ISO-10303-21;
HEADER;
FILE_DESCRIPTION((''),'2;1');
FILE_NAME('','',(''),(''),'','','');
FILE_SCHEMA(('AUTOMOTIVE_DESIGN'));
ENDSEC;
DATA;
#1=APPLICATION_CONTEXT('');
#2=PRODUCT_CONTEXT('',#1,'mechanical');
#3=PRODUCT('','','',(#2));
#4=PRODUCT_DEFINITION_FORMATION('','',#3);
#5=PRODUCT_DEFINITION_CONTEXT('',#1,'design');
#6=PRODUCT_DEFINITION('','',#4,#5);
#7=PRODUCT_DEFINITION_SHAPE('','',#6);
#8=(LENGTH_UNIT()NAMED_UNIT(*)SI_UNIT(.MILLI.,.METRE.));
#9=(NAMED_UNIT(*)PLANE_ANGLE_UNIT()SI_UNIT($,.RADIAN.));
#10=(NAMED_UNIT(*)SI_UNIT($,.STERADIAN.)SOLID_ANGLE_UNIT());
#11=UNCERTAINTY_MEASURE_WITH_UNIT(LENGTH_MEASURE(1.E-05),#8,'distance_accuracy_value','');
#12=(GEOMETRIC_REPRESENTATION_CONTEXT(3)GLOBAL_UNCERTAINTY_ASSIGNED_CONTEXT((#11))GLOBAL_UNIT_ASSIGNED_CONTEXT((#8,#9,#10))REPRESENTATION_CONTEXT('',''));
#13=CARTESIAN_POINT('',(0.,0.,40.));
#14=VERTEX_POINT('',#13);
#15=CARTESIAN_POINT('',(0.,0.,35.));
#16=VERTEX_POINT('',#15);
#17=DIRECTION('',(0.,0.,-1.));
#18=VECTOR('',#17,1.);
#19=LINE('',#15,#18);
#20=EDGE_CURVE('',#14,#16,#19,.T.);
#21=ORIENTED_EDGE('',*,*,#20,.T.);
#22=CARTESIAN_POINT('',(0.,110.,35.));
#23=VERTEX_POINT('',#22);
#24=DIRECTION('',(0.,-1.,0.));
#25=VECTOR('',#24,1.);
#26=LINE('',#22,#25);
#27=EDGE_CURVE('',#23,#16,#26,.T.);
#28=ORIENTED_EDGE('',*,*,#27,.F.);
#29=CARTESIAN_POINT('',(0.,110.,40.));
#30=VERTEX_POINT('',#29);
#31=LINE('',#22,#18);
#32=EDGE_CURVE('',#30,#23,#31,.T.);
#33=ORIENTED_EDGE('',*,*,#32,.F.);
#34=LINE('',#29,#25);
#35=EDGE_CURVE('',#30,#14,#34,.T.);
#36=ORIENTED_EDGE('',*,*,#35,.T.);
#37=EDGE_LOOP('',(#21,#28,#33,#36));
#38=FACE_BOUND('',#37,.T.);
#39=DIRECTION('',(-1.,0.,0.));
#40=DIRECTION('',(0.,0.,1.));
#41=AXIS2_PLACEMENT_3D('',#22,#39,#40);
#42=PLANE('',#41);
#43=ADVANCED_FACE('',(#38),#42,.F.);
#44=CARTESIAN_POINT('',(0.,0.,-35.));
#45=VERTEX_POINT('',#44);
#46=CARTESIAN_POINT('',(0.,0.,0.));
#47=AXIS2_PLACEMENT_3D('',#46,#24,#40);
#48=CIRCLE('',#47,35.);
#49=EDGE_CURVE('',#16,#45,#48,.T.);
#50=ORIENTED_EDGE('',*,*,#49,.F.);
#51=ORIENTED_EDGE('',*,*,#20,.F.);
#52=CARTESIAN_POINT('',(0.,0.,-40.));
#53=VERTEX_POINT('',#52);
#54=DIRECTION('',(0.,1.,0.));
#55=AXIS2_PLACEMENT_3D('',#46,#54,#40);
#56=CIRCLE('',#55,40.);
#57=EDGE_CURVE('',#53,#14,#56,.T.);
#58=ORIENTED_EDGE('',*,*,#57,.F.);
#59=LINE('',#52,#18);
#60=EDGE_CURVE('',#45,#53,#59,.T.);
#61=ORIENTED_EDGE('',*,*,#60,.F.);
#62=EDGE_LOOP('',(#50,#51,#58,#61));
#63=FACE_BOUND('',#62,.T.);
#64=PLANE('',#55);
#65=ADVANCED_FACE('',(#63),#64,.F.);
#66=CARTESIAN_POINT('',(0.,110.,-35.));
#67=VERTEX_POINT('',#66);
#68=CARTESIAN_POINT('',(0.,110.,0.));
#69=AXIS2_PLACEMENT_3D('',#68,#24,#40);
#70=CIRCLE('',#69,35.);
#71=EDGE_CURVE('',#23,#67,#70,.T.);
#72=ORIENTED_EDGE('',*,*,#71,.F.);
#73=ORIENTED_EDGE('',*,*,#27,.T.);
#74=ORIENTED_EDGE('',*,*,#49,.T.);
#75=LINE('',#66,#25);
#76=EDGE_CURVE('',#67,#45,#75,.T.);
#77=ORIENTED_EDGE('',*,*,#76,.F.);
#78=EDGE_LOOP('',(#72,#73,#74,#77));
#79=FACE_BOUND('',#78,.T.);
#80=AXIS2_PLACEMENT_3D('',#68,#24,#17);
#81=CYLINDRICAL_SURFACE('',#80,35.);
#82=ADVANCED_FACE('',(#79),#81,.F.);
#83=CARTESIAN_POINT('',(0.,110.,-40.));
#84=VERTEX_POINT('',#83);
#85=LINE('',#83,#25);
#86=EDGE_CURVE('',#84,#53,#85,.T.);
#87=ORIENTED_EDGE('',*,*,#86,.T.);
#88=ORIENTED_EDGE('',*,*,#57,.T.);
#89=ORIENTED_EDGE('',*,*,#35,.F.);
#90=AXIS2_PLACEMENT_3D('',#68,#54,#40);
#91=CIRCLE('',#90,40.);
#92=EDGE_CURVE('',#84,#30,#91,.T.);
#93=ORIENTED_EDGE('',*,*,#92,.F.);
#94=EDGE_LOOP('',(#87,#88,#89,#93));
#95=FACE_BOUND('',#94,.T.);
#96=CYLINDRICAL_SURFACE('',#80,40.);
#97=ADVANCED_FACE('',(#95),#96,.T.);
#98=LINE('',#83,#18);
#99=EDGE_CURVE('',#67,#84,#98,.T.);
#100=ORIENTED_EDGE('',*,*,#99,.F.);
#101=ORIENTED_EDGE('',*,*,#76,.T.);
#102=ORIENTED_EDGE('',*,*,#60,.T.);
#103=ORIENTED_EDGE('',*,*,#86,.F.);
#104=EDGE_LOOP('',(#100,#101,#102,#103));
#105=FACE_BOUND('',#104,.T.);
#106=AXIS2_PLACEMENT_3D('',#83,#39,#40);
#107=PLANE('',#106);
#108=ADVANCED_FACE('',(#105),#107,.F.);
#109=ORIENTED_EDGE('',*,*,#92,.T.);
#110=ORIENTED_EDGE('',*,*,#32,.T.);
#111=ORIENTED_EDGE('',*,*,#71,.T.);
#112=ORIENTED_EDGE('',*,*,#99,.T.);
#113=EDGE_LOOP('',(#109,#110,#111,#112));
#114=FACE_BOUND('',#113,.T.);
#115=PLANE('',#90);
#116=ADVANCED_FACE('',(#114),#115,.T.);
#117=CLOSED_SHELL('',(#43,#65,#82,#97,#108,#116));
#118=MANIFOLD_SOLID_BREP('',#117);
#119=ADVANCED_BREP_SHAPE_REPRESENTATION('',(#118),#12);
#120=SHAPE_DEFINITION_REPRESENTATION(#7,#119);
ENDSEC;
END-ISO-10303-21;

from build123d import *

# Parameters (mm, degrees)
BOSS_EXTRUDE1_DEPTH = 110


with BuildPart() as part:
    # Sketch1 → Boss-Extrude1 (new body)
    with BuildSketch(Plane(origin=(0, 0, 0), x_dir=(1, 0, 0), z_dir=(0, 1, 0))):
        with BuildLine():
            Line((0, 40), (0, 35))
            ThreePointArc((0, 35), (-35, 0), (0, -35))
            Line((0, -35), (0, -40))
            ThreePointArc((0, -40), (-40, 0), (0, 40))
        make_face()
    extrude(amount=BOSS_EXTRUDE1_DEPTH)


solid = part.part
